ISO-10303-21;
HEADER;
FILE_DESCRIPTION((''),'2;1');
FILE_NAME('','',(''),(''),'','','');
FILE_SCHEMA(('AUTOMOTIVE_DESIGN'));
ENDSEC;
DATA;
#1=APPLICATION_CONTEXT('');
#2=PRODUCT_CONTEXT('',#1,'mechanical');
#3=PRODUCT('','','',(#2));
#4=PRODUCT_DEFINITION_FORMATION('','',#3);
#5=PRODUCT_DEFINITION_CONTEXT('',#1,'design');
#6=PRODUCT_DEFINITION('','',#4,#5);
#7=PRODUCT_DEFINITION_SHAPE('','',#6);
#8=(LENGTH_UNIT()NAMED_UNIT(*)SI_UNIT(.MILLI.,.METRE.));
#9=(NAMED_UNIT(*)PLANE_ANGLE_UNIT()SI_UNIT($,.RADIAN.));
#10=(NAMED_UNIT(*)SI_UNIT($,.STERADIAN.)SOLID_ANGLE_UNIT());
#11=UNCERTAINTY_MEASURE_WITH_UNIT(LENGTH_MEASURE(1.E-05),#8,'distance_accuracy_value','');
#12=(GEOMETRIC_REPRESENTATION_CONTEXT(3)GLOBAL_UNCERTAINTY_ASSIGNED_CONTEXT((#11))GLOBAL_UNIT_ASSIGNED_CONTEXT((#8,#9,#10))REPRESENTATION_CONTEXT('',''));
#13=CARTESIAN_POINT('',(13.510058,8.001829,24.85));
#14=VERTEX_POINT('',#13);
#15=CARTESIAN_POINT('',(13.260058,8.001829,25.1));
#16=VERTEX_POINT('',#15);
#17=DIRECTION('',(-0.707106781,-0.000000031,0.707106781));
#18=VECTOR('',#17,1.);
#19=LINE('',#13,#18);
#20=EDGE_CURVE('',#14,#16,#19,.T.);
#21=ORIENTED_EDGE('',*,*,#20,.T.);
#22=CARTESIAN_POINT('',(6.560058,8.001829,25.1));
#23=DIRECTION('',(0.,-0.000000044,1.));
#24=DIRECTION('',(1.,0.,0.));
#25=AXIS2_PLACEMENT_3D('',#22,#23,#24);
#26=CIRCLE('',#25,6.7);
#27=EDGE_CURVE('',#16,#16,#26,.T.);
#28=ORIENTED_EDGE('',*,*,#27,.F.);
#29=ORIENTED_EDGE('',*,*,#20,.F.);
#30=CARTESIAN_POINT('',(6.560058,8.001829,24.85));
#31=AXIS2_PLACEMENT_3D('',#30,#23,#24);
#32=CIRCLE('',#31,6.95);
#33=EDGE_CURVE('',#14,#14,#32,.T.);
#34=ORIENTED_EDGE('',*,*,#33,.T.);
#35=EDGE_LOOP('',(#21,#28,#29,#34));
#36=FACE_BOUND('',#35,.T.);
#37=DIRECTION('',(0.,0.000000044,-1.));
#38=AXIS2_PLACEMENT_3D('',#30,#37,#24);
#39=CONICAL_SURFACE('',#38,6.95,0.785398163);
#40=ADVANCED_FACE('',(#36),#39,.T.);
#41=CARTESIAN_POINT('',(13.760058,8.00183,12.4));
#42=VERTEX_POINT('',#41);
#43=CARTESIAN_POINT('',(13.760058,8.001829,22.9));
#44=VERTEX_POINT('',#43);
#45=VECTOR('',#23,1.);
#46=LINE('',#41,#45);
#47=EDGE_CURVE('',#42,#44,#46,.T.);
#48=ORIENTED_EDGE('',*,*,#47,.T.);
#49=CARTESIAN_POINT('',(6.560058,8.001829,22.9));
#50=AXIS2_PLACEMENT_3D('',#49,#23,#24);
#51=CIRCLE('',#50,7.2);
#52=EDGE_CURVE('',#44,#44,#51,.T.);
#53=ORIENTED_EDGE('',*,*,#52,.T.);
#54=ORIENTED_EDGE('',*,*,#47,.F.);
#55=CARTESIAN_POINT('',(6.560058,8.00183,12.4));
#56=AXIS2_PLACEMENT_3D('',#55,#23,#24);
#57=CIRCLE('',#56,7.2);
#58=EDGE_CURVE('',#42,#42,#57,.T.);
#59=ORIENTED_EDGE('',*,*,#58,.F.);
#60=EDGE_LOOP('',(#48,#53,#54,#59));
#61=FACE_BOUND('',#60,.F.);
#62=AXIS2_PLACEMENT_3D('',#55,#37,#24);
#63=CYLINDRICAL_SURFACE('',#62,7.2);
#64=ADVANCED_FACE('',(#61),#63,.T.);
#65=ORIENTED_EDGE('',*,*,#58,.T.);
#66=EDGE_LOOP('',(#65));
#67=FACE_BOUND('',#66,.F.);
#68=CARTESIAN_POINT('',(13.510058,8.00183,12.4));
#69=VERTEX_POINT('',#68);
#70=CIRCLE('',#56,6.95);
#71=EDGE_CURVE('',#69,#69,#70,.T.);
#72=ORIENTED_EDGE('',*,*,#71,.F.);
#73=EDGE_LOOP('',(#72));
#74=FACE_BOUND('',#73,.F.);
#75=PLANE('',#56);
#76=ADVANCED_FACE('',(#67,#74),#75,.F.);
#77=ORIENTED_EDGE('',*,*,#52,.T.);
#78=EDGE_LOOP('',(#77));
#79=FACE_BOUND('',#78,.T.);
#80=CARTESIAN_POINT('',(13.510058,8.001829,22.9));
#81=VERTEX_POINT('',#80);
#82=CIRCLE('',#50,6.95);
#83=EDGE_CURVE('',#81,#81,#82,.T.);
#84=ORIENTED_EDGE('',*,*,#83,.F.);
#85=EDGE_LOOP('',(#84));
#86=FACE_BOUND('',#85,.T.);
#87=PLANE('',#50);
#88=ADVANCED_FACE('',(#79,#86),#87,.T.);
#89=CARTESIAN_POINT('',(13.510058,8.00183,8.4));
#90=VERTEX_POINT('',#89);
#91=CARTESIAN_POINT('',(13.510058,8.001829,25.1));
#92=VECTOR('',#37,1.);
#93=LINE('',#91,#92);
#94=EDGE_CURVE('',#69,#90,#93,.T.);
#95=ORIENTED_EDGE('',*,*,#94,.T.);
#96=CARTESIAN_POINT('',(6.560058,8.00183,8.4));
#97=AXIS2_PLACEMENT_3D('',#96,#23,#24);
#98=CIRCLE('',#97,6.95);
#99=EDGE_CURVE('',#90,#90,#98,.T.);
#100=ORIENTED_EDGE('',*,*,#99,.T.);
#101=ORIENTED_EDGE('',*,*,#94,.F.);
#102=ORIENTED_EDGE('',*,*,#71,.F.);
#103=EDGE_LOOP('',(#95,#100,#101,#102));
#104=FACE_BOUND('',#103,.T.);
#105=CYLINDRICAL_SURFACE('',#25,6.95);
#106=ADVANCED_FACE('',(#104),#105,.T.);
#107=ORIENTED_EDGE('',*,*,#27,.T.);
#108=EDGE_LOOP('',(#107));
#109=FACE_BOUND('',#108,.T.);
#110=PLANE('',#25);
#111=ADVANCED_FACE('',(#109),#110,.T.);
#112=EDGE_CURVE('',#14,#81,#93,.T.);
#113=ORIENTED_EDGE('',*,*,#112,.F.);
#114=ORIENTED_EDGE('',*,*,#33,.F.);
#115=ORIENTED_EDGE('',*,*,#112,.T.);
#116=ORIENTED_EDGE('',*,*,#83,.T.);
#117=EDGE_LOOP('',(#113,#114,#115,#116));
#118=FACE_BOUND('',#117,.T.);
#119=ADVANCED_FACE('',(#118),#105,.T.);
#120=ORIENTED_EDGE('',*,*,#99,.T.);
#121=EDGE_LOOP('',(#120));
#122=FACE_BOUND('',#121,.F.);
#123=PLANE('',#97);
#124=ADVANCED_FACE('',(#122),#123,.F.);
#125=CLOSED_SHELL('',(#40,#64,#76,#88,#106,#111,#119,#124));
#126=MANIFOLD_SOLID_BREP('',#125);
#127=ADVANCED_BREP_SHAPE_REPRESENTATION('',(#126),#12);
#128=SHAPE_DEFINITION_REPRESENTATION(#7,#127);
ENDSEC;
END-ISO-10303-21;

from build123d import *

# Parameters (mm, degrees)
BOSS_EXTRUDE1_START = 3.7
SKETCH2_R           = 6.95
BOSS_EXTRUDE1_DEPTH = 16.7
BOSS_EXTRUDE2_START = 1.5
SKETCH2_4_R         = 7.2
SKETCH2_4_R_2       = 6.95
BOSS_EXTRUDE2_DEPTH = 10.5
CHAMFER1_SIZE       = 0.25


with BuildPart() as part:
    # Sketch2 → Boss-Extrude1 (new body)
    with BuildSketch(Plane(origin=(0, -9.35e-07, 21.39999965), x_dir=(1, 0, 0), z_dir=(7.64274180725769e-15, -4.371138800000007e-08, 0.999999999999999)).offset(BOSS_EXTRUDE1_START)):
        with Locations((6.560058174, 8.001830475)):
            Circle(SKETCH2_R)
    extrude(amount=-BOSS_EXTRUDE1_DEPTH)

    # Sketch2<4> → Boss-Extrude2 (add)
    with BuildSketch(Plane(origin=(0, -9.35e-07, 21.39999965), x_dir=(1, 0, 0), z_dir=(7.64274180725769e-15, -4.371138800000007e-08, 0.999999999999999)).offset(BOSS_EXTRUDE2_START)):
        with Locations((6.560058174, 8.001830475)):
            Circle(SKETCH2_4_R)
        with Locations((6.560058174, 8.001830475)):
            Circle(SKETCH2_4_R_2, mode=Mode.SUBTRACT)
    extrude(amount=-BOSS_EXTRUDE2_DEPTH)

    # Chamfer1
    chamfer1_edges = [part.edges().sort_by_distance(p)[0] for p in [
        (-0.389941826, 8.001829378, 25.1),
    ]]
    chamfer(chamfer1_edges, length=CHAMFER1_SIZE)


solid = part.part
